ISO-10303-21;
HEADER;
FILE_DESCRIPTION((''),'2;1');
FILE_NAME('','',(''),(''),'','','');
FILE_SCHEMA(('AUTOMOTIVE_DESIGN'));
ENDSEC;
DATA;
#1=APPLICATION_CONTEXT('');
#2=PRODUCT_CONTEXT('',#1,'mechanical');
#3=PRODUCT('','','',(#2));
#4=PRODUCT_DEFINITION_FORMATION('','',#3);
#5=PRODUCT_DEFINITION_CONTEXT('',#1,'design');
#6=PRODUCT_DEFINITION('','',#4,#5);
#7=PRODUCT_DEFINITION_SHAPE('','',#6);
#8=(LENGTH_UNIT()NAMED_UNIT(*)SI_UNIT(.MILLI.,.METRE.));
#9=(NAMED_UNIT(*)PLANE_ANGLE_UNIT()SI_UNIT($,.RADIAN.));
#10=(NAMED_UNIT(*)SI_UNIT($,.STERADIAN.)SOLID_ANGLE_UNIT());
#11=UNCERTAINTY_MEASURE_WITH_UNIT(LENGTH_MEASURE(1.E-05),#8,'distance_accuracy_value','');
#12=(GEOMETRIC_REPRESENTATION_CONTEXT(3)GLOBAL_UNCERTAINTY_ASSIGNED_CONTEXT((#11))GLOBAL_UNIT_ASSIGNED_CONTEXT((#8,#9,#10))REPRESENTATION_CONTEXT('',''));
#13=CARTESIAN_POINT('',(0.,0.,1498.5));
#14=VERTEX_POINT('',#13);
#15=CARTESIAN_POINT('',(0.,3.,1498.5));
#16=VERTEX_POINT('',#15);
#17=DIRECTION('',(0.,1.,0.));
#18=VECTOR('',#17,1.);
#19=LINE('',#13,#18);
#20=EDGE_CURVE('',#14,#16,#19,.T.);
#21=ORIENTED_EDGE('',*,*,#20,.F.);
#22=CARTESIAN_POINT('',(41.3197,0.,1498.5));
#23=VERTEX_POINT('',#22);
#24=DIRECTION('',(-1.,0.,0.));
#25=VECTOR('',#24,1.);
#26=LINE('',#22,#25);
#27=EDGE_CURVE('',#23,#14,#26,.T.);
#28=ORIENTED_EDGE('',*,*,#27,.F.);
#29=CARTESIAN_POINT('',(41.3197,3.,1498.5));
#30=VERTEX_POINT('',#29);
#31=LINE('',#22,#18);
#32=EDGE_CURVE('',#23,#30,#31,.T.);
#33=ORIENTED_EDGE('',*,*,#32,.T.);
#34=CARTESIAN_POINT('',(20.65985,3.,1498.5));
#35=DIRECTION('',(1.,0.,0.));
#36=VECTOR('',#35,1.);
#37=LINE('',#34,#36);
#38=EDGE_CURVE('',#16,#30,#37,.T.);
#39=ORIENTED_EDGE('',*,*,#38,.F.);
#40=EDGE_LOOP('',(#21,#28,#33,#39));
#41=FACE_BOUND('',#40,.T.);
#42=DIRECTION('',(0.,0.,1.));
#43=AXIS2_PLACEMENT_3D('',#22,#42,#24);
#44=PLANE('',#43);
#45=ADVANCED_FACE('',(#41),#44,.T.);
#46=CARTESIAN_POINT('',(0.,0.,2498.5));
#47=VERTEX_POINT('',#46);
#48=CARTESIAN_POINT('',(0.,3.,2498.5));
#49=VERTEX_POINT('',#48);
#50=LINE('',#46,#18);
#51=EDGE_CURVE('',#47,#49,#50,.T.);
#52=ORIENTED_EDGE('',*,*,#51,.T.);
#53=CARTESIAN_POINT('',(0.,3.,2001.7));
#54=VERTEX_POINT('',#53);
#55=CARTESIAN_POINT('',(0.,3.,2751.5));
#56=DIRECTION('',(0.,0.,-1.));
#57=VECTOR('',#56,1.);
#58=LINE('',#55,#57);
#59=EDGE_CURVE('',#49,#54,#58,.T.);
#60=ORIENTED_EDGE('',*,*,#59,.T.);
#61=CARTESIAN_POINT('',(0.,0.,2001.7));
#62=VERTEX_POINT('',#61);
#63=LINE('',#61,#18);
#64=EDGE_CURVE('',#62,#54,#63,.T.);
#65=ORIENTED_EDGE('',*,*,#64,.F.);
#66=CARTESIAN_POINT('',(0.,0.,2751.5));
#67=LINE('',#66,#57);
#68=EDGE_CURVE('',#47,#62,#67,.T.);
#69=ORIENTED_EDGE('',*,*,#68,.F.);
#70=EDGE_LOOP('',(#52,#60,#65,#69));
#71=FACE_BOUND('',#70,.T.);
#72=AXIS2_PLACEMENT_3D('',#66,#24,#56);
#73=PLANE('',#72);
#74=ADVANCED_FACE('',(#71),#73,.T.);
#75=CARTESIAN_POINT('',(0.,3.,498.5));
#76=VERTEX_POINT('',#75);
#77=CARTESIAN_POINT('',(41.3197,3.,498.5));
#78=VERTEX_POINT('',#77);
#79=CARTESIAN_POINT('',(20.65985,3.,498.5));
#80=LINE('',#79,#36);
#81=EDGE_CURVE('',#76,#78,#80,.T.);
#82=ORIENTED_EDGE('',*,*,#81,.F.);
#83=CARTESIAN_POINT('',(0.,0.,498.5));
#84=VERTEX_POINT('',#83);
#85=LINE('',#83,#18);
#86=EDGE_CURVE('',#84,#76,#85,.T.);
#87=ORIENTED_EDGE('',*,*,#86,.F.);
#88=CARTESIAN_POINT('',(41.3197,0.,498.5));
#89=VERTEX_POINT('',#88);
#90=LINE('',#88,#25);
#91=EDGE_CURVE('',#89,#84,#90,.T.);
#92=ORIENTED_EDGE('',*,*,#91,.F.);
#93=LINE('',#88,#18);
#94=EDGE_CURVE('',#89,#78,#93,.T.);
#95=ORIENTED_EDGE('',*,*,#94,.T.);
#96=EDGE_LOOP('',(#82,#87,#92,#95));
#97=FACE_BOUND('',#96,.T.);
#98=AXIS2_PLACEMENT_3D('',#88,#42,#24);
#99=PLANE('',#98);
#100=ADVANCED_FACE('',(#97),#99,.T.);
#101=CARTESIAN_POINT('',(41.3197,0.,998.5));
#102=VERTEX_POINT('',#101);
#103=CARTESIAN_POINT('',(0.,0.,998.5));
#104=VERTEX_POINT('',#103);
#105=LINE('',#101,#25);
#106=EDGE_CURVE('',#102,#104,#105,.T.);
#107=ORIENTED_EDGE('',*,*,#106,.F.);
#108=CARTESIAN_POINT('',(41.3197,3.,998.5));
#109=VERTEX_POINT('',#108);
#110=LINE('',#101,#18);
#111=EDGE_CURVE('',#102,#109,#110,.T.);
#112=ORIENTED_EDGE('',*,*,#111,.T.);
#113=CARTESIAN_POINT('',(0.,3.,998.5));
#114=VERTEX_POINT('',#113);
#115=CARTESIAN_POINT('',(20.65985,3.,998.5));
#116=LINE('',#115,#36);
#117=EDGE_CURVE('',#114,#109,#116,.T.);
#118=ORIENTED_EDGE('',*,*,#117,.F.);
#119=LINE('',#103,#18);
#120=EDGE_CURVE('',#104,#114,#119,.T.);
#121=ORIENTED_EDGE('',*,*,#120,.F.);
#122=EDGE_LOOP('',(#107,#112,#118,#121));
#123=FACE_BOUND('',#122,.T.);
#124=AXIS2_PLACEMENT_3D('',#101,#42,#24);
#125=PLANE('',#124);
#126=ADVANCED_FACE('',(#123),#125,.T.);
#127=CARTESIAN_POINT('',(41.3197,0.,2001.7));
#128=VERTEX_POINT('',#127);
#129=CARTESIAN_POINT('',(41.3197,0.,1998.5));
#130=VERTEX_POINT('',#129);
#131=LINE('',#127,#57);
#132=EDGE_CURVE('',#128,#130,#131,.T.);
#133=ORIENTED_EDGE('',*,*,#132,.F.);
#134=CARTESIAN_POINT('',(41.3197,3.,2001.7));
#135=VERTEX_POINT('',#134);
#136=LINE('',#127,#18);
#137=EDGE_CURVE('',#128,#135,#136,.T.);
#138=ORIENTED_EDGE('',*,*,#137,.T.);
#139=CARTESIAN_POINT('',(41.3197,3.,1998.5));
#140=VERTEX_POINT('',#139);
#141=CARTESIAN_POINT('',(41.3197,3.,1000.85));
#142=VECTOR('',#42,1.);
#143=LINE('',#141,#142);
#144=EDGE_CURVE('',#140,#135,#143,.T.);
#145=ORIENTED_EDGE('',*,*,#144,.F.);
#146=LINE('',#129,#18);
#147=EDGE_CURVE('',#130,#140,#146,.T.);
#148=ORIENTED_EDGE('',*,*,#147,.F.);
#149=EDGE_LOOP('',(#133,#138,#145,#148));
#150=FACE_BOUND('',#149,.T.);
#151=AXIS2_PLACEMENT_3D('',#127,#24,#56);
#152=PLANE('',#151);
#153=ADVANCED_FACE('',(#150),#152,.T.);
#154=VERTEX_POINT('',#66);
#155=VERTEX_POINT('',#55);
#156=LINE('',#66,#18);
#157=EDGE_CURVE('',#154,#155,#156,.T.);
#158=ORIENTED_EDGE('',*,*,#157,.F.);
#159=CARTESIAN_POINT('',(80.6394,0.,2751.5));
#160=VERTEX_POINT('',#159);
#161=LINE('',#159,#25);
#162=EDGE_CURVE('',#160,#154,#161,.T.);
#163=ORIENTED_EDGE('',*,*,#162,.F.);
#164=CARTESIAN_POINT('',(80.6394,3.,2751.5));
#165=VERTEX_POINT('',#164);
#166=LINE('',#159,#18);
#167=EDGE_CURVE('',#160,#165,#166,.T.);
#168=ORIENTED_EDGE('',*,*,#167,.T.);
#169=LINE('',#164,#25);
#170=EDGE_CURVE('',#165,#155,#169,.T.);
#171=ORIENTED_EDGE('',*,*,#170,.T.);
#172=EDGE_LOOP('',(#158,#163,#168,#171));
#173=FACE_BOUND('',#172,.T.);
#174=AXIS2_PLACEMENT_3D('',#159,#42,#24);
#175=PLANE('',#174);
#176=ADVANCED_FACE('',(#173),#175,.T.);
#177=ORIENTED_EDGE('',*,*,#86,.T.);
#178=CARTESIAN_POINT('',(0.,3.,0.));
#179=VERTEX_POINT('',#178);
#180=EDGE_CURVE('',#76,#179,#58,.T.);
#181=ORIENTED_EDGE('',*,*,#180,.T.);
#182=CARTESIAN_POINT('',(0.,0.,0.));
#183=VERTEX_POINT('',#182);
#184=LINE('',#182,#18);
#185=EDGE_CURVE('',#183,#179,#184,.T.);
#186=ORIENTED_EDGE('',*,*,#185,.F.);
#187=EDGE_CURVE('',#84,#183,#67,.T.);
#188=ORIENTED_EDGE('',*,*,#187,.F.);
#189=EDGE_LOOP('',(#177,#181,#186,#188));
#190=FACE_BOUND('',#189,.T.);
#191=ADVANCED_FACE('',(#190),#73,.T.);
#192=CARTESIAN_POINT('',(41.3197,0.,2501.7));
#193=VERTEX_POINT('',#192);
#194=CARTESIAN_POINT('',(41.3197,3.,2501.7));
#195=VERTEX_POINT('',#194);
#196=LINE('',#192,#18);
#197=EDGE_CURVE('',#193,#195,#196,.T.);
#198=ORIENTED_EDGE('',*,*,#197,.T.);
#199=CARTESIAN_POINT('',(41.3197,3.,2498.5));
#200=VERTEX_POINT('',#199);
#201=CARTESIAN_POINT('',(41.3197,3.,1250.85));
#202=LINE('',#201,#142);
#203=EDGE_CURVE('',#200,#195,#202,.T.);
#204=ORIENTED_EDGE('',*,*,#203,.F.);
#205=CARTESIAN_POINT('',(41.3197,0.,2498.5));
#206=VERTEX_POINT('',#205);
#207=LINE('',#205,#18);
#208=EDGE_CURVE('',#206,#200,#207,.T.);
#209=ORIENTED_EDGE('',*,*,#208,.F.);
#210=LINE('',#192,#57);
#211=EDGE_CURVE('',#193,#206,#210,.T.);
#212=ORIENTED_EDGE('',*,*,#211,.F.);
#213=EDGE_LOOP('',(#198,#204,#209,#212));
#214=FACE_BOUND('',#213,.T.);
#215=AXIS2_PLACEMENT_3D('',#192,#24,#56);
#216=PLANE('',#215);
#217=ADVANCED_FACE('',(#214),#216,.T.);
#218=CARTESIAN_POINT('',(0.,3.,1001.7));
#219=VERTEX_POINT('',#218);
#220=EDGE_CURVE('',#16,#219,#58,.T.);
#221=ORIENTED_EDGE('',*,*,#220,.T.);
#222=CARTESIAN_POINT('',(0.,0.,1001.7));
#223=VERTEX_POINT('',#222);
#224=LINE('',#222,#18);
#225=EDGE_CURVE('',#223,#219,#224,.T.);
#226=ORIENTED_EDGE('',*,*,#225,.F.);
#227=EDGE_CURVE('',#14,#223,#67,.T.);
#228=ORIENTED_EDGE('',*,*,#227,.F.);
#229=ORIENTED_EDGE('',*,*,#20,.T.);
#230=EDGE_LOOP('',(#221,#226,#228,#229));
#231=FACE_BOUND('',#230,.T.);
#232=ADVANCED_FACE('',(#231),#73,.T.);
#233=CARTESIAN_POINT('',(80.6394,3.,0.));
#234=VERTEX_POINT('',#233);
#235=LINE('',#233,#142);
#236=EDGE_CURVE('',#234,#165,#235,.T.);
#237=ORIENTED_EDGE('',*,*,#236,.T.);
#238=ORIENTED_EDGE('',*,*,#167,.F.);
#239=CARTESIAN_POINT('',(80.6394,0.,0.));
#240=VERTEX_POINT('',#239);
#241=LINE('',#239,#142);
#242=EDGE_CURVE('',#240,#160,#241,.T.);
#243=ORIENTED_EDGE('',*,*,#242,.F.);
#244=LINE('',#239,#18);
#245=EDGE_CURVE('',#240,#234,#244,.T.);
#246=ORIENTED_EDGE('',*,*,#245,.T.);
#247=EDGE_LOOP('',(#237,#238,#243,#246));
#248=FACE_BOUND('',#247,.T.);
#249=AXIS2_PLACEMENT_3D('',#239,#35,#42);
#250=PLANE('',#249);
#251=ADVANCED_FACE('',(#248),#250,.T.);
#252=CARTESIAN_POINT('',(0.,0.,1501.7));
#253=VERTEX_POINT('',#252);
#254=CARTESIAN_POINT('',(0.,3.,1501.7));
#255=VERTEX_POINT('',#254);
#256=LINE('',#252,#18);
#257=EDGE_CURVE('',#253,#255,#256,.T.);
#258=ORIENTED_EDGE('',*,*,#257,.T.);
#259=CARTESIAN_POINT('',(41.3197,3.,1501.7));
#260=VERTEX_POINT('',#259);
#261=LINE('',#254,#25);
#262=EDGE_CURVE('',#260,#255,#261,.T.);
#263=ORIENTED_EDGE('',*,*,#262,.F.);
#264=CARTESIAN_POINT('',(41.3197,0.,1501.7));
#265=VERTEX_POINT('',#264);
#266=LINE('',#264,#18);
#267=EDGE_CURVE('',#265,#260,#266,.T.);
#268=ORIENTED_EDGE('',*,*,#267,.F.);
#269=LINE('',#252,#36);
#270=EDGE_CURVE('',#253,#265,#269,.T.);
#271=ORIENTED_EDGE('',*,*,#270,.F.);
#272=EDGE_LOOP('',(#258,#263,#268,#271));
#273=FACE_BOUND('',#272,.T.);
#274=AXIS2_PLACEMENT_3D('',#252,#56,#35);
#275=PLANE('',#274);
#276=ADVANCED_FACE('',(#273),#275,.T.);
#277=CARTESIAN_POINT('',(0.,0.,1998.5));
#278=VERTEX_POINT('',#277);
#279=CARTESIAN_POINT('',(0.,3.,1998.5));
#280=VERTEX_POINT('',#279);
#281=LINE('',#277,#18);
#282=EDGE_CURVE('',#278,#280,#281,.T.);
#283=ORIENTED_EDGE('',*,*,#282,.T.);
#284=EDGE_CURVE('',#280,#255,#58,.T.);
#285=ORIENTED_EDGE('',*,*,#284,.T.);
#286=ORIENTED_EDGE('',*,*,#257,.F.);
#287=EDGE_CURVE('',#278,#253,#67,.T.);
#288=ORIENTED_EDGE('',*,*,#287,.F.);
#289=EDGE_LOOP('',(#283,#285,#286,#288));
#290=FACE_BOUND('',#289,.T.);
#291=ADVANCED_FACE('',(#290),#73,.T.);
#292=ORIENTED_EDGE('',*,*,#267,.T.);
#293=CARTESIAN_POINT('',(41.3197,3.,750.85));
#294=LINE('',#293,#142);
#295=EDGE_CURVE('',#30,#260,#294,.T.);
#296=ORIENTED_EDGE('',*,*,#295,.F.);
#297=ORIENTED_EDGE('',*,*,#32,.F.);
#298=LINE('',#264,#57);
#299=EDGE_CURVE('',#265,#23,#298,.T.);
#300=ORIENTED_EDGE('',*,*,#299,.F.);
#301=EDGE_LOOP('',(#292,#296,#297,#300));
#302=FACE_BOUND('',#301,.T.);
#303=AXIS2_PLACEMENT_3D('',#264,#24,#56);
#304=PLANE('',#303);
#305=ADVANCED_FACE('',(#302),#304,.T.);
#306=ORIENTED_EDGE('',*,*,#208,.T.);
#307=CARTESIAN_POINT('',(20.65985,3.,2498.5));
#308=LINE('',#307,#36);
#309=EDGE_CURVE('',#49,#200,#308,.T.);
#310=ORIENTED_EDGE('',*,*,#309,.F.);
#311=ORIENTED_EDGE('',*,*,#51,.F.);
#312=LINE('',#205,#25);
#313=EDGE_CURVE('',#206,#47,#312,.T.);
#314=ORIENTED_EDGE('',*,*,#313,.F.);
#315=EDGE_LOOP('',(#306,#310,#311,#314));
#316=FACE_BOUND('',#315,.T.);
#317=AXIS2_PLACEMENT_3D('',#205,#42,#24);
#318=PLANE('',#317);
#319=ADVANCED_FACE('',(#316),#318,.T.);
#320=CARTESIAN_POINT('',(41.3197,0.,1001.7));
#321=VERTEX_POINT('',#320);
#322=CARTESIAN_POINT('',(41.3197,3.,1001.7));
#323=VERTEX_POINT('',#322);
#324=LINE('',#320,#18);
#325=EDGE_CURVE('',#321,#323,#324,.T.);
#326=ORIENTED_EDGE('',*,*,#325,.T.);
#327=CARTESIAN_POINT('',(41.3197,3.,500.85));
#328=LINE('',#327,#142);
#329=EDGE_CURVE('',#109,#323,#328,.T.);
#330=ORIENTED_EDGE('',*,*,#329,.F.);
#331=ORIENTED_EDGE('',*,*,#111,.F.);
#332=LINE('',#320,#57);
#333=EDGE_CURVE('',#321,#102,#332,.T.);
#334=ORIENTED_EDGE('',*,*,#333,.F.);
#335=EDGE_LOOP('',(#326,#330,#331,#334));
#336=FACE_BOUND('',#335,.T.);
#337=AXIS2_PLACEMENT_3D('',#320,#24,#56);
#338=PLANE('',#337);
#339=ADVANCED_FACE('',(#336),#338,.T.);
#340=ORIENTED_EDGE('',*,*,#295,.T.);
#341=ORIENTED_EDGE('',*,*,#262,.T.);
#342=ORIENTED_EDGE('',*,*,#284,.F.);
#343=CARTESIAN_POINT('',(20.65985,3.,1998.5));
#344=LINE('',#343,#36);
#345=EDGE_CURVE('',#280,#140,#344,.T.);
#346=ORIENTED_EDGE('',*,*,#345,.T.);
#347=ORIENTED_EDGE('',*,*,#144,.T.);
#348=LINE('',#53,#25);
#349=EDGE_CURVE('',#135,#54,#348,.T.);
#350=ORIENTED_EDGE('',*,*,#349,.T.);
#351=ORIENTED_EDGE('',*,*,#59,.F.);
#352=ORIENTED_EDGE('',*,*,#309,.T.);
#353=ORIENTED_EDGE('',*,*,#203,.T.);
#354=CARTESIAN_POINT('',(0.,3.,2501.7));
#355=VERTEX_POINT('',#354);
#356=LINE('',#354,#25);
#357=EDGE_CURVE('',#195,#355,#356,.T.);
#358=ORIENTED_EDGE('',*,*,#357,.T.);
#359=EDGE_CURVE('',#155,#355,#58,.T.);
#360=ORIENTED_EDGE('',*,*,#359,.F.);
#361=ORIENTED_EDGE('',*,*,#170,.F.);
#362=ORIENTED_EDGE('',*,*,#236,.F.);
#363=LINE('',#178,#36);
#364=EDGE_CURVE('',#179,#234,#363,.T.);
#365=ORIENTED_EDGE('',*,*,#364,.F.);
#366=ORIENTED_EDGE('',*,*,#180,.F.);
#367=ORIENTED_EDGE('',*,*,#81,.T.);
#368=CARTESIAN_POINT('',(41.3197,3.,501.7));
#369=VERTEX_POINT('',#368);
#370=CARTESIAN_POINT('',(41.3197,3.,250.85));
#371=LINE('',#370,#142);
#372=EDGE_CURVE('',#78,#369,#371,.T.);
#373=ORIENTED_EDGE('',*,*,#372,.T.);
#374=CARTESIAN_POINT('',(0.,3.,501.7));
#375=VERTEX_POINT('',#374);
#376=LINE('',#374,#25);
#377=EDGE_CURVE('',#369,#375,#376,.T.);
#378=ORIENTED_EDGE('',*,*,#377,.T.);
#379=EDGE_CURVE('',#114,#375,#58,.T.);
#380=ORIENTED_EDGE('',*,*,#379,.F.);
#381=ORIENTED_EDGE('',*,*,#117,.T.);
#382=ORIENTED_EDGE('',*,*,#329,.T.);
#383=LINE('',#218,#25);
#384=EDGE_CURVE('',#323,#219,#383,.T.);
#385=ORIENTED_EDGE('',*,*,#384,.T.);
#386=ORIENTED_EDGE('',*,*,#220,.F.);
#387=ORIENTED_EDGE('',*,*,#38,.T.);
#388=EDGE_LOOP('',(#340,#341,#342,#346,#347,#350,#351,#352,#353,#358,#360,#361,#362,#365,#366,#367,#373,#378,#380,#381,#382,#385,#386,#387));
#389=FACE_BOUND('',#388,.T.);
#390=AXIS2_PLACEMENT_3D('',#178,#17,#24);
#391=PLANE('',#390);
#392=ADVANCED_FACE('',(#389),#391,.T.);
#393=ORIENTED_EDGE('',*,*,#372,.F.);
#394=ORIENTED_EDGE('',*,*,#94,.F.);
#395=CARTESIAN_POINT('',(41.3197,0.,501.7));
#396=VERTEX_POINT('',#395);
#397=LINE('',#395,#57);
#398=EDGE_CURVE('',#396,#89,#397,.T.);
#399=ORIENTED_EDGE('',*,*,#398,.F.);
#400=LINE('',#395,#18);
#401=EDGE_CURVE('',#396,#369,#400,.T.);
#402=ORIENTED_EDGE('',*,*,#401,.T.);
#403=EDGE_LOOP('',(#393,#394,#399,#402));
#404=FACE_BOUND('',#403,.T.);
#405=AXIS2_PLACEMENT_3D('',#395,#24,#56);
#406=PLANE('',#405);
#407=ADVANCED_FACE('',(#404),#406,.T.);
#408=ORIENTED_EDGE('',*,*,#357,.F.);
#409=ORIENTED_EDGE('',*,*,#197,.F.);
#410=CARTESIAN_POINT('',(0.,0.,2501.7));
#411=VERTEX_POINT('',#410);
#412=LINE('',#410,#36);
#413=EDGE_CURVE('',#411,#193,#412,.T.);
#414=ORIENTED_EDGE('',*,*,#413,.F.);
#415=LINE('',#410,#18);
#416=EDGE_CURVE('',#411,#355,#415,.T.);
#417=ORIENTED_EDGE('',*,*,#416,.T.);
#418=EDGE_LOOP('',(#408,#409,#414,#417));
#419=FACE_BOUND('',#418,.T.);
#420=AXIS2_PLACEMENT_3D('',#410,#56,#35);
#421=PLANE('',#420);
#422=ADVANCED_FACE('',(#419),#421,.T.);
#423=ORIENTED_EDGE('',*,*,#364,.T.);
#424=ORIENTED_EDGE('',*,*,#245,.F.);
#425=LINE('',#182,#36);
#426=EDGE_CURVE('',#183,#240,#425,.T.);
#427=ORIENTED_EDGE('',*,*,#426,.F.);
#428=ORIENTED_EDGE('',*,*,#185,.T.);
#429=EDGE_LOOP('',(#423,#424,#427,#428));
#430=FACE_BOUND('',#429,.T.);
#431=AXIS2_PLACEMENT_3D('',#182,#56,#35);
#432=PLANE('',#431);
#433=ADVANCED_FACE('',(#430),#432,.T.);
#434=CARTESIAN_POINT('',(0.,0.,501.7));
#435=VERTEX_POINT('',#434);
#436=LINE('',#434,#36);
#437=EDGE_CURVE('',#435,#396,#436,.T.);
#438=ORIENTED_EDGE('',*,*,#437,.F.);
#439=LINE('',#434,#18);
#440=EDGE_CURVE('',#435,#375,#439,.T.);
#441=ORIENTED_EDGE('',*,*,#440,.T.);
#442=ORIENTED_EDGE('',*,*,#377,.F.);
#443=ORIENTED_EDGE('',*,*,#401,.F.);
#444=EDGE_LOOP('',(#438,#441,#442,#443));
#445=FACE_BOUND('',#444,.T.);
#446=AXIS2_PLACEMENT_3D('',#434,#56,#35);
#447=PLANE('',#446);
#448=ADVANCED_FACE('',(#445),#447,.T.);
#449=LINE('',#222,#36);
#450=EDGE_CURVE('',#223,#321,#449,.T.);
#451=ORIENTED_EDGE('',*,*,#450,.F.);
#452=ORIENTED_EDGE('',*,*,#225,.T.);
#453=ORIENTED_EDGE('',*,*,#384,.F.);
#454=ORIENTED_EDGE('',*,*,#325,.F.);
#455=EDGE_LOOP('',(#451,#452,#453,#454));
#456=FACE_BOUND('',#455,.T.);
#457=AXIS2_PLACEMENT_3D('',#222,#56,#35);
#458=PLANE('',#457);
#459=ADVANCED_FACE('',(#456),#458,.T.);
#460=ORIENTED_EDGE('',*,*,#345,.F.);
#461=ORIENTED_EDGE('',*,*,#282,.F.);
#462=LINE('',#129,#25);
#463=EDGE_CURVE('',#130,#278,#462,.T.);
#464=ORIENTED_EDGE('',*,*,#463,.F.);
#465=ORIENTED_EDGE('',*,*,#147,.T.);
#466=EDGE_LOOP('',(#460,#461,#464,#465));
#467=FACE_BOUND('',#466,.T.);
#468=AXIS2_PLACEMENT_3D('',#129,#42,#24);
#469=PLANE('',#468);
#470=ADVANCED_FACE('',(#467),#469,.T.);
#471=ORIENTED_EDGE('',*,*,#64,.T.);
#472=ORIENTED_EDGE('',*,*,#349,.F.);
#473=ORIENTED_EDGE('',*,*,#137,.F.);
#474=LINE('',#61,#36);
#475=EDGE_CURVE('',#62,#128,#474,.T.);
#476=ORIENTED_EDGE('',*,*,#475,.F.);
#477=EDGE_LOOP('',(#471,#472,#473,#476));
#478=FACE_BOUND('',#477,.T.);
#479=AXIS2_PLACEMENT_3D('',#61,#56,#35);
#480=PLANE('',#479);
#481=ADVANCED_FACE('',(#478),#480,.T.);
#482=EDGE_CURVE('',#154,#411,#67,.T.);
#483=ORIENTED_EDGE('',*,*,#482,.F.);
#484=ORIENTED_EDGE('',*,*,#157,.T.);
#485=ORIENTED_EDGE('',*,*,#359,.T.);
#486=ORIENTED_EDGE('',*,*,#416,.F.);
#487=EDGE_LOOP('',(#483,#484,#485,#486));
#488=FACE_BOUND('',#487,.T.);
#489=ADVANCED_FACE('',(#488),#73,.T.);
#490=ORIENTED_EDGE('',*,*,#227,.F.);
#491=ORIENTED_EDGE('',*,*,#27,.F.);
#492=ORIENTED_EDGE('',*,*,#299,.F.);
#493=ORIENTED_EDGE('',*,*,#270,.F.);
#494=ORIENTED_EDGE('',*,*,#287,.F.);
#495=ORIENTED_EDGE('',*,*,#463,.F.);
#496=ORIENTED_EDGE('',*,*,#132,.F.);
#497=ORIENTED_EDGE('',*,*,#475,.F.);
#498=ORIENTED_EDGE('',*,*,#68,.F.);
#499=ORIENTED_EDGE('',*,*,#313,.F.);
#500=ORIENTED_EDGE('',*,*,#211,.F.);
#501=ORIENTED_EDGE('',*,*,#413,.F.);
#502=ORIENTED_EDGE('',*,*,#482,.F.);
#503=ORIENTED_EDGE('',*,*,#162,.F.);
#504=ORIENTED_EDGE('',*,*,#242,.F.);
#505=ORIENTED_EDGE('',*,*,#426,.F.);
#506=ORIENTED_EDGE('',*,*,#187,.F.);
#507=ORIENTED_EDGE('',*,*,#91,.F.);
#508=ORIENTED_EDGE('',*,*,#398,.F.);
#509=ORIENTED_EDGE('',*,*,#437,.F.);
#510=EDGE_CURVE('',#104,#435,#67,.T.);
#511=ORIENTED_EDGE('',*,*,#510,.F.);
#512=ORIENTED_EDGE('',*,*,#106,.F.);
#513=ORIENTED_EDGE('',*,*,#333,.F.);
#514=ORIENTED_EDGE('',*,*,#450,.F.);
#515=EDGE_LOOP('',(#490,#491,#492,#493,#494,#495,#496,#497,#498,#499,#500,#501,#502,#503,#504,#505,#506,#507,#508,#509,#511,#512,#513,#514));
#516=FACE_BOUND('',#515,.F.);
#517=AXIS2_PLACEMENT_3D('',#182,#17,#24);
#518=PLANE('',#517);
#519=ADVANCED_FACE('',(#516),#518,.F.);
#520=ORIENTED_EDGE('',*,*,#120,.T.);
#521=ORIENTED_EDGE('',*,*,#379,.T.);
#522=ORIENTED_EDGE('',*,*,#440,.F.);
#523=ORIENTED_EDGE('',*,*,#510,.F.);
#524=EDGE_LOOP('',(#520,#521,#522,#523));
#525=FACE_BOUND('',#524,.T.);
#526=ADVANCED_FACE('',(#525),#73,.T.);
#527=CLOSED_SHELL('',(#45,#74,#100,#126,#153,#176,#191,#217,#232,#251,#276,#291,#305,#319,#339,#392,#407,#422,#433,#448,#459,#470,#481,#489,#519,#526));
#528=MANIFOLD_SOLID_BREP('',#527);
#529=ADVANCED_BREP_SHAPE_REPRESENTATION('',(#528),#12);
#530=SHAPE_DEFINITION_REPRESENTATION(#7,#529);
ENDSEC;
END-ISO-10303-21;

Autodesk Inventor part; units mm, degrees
ref_plane "YZ Plane" through (0, 0, 0) normal (1, 0, 0) x (0, 1, 0)
ref_plane "XZ Plane" through (0, 0, 0) normal (0, 1, 0) x (-1, 0, 0)
ref_plane "XY Plane" through (0, 0, 0) normal (0, 0, 1) x (1, 0, 0)
sketch "Sketch6" plane through (0, 0, 0) normal (0, 1, 0) x (-1, 0, 0)
  line L0 (0, 0) -> (-80.6394, 0)
  line L1 (-80.6394, 0) -> (-80.6394, 2751.5)
  line L2 (-80.6394, 2751.5) -> (0, 2751.5)
  line L3 (0, 2751.5) -> (0, 0)
  dimension "d26" = 80.6394
  dimension "d27" = 2751.5
extrude "Plate4" add sketch "Sketch6" along normal blind 3
sketch "Sketch7" plane through (0, 0, 0) normal (0, -1, 0) x (1, 0, 0)
  line L0 (0, 2751.5) -> (80.6394, 2751.5) projected
  line L1 (0, 0) -> (0, 2751.5) projected
  line L2 (80.6394, 0) -> (0, 0) projected
  line L3 (80.6394, 2751.5) -> (80.6394, 0) projected
  line L4 (0, 501.7) -> (41.3197, 501.7)
  line L5 (41.3197, 501.7) -> (41.3197, 498.5)
  line L6 (41.3197, 498.5) -> (0, 498.5)
  line L7 (0, 498.5) -> (0, 501.7)
  point P0 (0, 498.5)
  point P1 (0, 200)
  point P2 (46.4173, 200)
  point P3 (0, 498.5)
  dimension "d29" = 41.3197
  dimension "d30" = 3.2
  dimension "d31" = 498.5
extrude "Extrusion2" cut sketch "Sketch7" against normal through all contours L4 L5 L6 L1
pattern_linear "Rectangular Pattern1" count 5 spacing 500 along (0, 0, 1) of "Extrusion2"
equation "\"d26\" = Stringer2_deep"
equation "\"d28\" = Thickness"
equation "\"BendReliefWidth\" = Thickness"
equation "\"BendReliefDepth\" = 0.5 * Thickness"
equation "\"CornerReliefSize\" = 4 * Thickness"
equation "\"MinimumRemnant\" = 2 * Thickness"
equation "\"TransitionRadius\" = BendRadius"
equation "\"JacobiRadiusSize\" = BendRadius"
equation "\"GapSize\" = Thickness"
equation "\"Stringer2_deep\" = 80.639428"
equation "\"Thickness\" = 3"
equation "\"BendRadius\" = 5"
properties part number "BSH 034 stringer board 2" material "09g2s"
